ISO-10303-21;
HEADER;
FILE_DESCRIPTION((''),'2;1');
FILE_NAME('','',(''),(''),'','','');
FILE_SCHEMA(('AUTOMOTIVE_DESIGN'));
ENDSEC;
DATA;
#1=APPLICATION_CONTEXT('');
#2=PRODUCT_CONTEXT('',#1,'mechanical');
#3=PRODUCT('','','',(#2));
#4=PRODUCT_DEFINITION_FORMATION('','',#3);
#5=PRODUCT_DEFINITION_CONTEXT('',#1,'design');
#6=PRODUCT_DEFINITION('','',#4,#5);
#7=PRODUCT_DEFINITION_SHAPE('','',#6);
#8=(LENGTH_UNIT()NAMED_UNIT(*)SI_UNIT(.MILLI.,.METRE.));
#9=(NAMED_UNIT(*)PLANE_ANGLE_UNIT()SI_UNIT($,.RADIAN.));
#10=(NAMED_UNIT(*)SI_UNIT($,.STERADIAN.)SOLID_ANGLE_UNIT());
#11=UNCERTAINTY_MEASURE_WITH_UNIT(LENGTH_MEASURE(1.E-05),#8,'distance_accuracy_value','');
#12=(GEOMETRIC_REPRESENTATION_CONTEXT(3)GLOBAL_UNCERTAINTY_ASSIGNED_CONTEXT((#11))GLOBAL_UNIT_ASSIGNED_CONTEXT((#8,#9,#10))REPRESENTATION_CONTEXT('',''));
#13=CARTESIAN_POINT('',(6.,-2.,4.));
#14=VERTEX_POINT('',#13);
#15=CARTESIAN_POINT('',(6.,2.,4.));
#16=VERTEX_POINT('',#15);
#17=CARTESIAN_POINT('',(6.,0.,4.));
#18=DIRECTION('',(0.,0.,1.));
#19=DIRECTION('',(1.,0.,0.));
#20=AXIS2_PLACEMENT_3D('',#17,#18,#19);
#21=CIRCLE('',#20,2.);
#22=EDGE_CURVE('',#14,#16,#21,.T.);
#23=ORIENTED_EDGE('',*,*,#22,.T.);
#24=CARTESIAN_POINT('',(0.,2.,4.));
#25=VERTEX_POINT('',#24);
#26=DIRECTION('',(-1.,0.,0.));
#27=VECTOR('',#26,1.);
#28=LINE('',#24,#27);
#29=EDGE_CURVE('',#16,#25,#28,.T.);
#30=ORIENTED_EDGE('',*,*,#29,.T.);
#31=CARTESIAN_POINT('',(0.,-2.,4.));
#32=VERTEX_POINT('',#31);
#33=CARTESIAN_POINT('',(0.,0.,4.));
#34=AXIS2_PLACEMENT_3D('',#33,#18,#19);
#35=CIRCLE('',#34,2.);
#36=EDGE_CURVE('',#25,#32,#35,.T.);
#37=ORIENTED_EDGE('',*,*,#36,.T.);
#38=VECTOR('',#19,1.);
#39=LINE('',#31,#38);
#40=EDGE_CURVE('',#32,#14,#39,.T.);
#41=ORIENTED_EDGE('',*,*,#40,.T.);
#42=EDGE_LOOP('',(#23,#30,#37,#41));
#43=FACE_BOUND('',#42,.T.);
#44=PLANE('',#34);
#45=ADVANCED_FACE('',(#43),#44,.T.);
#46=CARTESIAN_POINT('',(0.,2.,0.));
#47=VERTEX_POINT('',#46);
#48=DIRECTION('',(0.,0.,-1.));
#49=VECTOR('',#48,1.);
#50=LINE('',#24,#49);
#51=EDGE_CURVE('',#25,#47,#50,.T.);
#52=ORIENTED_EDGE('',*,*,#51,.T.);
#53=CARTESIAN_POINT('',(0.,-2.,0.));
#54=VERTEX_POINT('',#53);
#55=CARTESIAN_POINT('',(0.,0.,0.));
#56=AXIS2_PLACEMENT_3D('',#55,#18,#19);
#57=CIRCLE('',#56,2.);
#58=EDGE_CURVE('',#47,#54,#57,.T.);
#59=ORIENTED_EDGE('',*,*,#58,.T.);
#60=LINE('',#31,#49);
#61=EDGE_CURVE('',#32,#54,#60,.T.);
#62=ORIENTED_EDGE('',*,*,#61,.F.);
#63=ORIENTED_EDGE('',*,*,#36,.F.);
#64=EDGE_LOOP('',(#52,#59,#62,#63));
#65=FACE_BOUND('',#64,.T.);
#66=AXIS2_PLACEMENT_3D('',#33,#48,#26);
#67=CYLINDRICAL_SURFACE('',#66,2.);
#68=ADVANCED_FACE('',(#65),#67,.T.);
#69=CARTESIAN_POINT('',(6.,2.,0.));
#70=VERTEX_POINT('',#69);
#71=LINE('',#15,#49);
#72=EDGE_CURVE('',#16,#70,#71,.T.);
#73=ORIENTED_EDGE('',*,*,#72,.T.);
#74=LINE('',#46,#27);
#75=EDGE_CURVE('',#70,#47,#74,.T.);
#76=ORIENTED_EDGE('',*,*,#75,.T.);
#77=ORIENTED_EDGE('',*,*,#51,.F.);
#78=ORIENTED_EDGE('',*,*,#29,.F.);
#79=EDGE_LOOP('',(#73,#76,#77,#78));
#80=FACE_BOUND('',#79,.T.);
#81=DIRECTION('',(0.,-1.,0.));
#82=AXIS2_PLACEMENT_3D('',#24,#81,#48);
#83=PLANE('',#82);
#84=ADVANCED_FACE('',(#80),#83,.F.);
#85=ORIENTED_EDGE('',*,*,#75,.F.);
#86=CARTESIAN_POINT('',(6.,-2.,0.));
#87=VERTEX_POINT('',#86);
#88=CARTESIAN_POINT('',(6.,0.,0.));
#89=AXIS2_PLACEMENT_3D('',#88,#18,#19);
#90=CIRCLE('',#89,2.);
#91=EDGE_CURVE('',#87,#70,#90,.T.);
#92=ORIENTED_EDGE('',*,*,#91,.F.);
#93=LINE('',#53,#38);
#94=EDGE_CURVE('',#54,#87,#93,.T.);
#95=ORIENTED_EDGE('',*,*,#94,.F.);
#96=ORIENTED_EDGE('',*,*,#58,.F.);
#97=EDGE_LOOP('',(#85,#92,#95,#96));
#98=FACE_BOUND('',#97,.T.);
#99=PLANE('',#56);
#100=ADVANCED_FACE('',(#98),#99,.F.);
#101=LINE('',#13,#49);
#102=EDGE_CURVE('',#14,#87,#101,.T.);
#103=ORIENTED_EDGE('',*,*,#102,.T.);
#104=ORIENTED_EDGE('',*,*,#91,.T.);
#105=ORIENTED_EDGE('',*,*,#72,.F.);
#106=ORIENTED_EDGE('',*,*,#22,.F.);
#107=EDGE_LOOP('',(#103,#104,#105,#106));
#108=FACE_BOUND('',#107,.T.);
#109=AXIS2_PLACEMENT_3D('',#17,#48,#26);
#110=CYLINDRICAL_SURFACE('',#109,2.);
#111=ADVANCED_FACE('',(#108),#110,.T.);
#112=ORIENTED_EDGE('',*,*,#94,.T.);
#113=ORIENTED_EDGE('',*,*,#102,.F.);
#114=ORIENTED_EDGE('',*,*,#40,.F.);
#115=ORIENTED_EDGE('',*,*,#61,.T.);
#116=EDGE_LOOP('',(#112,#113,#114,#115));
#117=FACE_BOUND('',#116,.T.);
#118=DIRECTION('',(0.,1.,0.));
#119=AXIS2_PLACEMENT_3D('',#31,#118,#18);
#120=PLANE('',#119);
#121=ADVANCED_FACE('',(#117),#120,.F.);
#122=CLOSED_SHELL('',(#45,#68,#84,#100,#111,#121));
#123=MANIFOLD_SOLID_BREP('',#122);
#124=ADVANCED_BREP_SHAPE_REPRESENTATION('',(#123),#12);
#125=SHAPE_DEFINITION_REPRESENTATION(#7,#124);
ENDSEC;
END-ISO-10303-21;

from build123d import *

# Parameters (mm, degrees)
BOSS_EXTRUDE1_DEPTH = 4


with BuildPart() as part:
    # Sketch1 → Boss-Extrude1 (new body)
    with BuildSketch(Plane.XY):
        with BuildLine():
            Line((0, 2), (6, 2))
            ThreePointArc((6, 2), (8, 0), (6, -2))
            Line((6, -2), (0, -2))
            ThreePointArc((0, -2), (-2, 0), (0, 2))
        make_face()
    extrude(amount=BOSS_EXTRUDE1_DEPTH)


solid = part.part
